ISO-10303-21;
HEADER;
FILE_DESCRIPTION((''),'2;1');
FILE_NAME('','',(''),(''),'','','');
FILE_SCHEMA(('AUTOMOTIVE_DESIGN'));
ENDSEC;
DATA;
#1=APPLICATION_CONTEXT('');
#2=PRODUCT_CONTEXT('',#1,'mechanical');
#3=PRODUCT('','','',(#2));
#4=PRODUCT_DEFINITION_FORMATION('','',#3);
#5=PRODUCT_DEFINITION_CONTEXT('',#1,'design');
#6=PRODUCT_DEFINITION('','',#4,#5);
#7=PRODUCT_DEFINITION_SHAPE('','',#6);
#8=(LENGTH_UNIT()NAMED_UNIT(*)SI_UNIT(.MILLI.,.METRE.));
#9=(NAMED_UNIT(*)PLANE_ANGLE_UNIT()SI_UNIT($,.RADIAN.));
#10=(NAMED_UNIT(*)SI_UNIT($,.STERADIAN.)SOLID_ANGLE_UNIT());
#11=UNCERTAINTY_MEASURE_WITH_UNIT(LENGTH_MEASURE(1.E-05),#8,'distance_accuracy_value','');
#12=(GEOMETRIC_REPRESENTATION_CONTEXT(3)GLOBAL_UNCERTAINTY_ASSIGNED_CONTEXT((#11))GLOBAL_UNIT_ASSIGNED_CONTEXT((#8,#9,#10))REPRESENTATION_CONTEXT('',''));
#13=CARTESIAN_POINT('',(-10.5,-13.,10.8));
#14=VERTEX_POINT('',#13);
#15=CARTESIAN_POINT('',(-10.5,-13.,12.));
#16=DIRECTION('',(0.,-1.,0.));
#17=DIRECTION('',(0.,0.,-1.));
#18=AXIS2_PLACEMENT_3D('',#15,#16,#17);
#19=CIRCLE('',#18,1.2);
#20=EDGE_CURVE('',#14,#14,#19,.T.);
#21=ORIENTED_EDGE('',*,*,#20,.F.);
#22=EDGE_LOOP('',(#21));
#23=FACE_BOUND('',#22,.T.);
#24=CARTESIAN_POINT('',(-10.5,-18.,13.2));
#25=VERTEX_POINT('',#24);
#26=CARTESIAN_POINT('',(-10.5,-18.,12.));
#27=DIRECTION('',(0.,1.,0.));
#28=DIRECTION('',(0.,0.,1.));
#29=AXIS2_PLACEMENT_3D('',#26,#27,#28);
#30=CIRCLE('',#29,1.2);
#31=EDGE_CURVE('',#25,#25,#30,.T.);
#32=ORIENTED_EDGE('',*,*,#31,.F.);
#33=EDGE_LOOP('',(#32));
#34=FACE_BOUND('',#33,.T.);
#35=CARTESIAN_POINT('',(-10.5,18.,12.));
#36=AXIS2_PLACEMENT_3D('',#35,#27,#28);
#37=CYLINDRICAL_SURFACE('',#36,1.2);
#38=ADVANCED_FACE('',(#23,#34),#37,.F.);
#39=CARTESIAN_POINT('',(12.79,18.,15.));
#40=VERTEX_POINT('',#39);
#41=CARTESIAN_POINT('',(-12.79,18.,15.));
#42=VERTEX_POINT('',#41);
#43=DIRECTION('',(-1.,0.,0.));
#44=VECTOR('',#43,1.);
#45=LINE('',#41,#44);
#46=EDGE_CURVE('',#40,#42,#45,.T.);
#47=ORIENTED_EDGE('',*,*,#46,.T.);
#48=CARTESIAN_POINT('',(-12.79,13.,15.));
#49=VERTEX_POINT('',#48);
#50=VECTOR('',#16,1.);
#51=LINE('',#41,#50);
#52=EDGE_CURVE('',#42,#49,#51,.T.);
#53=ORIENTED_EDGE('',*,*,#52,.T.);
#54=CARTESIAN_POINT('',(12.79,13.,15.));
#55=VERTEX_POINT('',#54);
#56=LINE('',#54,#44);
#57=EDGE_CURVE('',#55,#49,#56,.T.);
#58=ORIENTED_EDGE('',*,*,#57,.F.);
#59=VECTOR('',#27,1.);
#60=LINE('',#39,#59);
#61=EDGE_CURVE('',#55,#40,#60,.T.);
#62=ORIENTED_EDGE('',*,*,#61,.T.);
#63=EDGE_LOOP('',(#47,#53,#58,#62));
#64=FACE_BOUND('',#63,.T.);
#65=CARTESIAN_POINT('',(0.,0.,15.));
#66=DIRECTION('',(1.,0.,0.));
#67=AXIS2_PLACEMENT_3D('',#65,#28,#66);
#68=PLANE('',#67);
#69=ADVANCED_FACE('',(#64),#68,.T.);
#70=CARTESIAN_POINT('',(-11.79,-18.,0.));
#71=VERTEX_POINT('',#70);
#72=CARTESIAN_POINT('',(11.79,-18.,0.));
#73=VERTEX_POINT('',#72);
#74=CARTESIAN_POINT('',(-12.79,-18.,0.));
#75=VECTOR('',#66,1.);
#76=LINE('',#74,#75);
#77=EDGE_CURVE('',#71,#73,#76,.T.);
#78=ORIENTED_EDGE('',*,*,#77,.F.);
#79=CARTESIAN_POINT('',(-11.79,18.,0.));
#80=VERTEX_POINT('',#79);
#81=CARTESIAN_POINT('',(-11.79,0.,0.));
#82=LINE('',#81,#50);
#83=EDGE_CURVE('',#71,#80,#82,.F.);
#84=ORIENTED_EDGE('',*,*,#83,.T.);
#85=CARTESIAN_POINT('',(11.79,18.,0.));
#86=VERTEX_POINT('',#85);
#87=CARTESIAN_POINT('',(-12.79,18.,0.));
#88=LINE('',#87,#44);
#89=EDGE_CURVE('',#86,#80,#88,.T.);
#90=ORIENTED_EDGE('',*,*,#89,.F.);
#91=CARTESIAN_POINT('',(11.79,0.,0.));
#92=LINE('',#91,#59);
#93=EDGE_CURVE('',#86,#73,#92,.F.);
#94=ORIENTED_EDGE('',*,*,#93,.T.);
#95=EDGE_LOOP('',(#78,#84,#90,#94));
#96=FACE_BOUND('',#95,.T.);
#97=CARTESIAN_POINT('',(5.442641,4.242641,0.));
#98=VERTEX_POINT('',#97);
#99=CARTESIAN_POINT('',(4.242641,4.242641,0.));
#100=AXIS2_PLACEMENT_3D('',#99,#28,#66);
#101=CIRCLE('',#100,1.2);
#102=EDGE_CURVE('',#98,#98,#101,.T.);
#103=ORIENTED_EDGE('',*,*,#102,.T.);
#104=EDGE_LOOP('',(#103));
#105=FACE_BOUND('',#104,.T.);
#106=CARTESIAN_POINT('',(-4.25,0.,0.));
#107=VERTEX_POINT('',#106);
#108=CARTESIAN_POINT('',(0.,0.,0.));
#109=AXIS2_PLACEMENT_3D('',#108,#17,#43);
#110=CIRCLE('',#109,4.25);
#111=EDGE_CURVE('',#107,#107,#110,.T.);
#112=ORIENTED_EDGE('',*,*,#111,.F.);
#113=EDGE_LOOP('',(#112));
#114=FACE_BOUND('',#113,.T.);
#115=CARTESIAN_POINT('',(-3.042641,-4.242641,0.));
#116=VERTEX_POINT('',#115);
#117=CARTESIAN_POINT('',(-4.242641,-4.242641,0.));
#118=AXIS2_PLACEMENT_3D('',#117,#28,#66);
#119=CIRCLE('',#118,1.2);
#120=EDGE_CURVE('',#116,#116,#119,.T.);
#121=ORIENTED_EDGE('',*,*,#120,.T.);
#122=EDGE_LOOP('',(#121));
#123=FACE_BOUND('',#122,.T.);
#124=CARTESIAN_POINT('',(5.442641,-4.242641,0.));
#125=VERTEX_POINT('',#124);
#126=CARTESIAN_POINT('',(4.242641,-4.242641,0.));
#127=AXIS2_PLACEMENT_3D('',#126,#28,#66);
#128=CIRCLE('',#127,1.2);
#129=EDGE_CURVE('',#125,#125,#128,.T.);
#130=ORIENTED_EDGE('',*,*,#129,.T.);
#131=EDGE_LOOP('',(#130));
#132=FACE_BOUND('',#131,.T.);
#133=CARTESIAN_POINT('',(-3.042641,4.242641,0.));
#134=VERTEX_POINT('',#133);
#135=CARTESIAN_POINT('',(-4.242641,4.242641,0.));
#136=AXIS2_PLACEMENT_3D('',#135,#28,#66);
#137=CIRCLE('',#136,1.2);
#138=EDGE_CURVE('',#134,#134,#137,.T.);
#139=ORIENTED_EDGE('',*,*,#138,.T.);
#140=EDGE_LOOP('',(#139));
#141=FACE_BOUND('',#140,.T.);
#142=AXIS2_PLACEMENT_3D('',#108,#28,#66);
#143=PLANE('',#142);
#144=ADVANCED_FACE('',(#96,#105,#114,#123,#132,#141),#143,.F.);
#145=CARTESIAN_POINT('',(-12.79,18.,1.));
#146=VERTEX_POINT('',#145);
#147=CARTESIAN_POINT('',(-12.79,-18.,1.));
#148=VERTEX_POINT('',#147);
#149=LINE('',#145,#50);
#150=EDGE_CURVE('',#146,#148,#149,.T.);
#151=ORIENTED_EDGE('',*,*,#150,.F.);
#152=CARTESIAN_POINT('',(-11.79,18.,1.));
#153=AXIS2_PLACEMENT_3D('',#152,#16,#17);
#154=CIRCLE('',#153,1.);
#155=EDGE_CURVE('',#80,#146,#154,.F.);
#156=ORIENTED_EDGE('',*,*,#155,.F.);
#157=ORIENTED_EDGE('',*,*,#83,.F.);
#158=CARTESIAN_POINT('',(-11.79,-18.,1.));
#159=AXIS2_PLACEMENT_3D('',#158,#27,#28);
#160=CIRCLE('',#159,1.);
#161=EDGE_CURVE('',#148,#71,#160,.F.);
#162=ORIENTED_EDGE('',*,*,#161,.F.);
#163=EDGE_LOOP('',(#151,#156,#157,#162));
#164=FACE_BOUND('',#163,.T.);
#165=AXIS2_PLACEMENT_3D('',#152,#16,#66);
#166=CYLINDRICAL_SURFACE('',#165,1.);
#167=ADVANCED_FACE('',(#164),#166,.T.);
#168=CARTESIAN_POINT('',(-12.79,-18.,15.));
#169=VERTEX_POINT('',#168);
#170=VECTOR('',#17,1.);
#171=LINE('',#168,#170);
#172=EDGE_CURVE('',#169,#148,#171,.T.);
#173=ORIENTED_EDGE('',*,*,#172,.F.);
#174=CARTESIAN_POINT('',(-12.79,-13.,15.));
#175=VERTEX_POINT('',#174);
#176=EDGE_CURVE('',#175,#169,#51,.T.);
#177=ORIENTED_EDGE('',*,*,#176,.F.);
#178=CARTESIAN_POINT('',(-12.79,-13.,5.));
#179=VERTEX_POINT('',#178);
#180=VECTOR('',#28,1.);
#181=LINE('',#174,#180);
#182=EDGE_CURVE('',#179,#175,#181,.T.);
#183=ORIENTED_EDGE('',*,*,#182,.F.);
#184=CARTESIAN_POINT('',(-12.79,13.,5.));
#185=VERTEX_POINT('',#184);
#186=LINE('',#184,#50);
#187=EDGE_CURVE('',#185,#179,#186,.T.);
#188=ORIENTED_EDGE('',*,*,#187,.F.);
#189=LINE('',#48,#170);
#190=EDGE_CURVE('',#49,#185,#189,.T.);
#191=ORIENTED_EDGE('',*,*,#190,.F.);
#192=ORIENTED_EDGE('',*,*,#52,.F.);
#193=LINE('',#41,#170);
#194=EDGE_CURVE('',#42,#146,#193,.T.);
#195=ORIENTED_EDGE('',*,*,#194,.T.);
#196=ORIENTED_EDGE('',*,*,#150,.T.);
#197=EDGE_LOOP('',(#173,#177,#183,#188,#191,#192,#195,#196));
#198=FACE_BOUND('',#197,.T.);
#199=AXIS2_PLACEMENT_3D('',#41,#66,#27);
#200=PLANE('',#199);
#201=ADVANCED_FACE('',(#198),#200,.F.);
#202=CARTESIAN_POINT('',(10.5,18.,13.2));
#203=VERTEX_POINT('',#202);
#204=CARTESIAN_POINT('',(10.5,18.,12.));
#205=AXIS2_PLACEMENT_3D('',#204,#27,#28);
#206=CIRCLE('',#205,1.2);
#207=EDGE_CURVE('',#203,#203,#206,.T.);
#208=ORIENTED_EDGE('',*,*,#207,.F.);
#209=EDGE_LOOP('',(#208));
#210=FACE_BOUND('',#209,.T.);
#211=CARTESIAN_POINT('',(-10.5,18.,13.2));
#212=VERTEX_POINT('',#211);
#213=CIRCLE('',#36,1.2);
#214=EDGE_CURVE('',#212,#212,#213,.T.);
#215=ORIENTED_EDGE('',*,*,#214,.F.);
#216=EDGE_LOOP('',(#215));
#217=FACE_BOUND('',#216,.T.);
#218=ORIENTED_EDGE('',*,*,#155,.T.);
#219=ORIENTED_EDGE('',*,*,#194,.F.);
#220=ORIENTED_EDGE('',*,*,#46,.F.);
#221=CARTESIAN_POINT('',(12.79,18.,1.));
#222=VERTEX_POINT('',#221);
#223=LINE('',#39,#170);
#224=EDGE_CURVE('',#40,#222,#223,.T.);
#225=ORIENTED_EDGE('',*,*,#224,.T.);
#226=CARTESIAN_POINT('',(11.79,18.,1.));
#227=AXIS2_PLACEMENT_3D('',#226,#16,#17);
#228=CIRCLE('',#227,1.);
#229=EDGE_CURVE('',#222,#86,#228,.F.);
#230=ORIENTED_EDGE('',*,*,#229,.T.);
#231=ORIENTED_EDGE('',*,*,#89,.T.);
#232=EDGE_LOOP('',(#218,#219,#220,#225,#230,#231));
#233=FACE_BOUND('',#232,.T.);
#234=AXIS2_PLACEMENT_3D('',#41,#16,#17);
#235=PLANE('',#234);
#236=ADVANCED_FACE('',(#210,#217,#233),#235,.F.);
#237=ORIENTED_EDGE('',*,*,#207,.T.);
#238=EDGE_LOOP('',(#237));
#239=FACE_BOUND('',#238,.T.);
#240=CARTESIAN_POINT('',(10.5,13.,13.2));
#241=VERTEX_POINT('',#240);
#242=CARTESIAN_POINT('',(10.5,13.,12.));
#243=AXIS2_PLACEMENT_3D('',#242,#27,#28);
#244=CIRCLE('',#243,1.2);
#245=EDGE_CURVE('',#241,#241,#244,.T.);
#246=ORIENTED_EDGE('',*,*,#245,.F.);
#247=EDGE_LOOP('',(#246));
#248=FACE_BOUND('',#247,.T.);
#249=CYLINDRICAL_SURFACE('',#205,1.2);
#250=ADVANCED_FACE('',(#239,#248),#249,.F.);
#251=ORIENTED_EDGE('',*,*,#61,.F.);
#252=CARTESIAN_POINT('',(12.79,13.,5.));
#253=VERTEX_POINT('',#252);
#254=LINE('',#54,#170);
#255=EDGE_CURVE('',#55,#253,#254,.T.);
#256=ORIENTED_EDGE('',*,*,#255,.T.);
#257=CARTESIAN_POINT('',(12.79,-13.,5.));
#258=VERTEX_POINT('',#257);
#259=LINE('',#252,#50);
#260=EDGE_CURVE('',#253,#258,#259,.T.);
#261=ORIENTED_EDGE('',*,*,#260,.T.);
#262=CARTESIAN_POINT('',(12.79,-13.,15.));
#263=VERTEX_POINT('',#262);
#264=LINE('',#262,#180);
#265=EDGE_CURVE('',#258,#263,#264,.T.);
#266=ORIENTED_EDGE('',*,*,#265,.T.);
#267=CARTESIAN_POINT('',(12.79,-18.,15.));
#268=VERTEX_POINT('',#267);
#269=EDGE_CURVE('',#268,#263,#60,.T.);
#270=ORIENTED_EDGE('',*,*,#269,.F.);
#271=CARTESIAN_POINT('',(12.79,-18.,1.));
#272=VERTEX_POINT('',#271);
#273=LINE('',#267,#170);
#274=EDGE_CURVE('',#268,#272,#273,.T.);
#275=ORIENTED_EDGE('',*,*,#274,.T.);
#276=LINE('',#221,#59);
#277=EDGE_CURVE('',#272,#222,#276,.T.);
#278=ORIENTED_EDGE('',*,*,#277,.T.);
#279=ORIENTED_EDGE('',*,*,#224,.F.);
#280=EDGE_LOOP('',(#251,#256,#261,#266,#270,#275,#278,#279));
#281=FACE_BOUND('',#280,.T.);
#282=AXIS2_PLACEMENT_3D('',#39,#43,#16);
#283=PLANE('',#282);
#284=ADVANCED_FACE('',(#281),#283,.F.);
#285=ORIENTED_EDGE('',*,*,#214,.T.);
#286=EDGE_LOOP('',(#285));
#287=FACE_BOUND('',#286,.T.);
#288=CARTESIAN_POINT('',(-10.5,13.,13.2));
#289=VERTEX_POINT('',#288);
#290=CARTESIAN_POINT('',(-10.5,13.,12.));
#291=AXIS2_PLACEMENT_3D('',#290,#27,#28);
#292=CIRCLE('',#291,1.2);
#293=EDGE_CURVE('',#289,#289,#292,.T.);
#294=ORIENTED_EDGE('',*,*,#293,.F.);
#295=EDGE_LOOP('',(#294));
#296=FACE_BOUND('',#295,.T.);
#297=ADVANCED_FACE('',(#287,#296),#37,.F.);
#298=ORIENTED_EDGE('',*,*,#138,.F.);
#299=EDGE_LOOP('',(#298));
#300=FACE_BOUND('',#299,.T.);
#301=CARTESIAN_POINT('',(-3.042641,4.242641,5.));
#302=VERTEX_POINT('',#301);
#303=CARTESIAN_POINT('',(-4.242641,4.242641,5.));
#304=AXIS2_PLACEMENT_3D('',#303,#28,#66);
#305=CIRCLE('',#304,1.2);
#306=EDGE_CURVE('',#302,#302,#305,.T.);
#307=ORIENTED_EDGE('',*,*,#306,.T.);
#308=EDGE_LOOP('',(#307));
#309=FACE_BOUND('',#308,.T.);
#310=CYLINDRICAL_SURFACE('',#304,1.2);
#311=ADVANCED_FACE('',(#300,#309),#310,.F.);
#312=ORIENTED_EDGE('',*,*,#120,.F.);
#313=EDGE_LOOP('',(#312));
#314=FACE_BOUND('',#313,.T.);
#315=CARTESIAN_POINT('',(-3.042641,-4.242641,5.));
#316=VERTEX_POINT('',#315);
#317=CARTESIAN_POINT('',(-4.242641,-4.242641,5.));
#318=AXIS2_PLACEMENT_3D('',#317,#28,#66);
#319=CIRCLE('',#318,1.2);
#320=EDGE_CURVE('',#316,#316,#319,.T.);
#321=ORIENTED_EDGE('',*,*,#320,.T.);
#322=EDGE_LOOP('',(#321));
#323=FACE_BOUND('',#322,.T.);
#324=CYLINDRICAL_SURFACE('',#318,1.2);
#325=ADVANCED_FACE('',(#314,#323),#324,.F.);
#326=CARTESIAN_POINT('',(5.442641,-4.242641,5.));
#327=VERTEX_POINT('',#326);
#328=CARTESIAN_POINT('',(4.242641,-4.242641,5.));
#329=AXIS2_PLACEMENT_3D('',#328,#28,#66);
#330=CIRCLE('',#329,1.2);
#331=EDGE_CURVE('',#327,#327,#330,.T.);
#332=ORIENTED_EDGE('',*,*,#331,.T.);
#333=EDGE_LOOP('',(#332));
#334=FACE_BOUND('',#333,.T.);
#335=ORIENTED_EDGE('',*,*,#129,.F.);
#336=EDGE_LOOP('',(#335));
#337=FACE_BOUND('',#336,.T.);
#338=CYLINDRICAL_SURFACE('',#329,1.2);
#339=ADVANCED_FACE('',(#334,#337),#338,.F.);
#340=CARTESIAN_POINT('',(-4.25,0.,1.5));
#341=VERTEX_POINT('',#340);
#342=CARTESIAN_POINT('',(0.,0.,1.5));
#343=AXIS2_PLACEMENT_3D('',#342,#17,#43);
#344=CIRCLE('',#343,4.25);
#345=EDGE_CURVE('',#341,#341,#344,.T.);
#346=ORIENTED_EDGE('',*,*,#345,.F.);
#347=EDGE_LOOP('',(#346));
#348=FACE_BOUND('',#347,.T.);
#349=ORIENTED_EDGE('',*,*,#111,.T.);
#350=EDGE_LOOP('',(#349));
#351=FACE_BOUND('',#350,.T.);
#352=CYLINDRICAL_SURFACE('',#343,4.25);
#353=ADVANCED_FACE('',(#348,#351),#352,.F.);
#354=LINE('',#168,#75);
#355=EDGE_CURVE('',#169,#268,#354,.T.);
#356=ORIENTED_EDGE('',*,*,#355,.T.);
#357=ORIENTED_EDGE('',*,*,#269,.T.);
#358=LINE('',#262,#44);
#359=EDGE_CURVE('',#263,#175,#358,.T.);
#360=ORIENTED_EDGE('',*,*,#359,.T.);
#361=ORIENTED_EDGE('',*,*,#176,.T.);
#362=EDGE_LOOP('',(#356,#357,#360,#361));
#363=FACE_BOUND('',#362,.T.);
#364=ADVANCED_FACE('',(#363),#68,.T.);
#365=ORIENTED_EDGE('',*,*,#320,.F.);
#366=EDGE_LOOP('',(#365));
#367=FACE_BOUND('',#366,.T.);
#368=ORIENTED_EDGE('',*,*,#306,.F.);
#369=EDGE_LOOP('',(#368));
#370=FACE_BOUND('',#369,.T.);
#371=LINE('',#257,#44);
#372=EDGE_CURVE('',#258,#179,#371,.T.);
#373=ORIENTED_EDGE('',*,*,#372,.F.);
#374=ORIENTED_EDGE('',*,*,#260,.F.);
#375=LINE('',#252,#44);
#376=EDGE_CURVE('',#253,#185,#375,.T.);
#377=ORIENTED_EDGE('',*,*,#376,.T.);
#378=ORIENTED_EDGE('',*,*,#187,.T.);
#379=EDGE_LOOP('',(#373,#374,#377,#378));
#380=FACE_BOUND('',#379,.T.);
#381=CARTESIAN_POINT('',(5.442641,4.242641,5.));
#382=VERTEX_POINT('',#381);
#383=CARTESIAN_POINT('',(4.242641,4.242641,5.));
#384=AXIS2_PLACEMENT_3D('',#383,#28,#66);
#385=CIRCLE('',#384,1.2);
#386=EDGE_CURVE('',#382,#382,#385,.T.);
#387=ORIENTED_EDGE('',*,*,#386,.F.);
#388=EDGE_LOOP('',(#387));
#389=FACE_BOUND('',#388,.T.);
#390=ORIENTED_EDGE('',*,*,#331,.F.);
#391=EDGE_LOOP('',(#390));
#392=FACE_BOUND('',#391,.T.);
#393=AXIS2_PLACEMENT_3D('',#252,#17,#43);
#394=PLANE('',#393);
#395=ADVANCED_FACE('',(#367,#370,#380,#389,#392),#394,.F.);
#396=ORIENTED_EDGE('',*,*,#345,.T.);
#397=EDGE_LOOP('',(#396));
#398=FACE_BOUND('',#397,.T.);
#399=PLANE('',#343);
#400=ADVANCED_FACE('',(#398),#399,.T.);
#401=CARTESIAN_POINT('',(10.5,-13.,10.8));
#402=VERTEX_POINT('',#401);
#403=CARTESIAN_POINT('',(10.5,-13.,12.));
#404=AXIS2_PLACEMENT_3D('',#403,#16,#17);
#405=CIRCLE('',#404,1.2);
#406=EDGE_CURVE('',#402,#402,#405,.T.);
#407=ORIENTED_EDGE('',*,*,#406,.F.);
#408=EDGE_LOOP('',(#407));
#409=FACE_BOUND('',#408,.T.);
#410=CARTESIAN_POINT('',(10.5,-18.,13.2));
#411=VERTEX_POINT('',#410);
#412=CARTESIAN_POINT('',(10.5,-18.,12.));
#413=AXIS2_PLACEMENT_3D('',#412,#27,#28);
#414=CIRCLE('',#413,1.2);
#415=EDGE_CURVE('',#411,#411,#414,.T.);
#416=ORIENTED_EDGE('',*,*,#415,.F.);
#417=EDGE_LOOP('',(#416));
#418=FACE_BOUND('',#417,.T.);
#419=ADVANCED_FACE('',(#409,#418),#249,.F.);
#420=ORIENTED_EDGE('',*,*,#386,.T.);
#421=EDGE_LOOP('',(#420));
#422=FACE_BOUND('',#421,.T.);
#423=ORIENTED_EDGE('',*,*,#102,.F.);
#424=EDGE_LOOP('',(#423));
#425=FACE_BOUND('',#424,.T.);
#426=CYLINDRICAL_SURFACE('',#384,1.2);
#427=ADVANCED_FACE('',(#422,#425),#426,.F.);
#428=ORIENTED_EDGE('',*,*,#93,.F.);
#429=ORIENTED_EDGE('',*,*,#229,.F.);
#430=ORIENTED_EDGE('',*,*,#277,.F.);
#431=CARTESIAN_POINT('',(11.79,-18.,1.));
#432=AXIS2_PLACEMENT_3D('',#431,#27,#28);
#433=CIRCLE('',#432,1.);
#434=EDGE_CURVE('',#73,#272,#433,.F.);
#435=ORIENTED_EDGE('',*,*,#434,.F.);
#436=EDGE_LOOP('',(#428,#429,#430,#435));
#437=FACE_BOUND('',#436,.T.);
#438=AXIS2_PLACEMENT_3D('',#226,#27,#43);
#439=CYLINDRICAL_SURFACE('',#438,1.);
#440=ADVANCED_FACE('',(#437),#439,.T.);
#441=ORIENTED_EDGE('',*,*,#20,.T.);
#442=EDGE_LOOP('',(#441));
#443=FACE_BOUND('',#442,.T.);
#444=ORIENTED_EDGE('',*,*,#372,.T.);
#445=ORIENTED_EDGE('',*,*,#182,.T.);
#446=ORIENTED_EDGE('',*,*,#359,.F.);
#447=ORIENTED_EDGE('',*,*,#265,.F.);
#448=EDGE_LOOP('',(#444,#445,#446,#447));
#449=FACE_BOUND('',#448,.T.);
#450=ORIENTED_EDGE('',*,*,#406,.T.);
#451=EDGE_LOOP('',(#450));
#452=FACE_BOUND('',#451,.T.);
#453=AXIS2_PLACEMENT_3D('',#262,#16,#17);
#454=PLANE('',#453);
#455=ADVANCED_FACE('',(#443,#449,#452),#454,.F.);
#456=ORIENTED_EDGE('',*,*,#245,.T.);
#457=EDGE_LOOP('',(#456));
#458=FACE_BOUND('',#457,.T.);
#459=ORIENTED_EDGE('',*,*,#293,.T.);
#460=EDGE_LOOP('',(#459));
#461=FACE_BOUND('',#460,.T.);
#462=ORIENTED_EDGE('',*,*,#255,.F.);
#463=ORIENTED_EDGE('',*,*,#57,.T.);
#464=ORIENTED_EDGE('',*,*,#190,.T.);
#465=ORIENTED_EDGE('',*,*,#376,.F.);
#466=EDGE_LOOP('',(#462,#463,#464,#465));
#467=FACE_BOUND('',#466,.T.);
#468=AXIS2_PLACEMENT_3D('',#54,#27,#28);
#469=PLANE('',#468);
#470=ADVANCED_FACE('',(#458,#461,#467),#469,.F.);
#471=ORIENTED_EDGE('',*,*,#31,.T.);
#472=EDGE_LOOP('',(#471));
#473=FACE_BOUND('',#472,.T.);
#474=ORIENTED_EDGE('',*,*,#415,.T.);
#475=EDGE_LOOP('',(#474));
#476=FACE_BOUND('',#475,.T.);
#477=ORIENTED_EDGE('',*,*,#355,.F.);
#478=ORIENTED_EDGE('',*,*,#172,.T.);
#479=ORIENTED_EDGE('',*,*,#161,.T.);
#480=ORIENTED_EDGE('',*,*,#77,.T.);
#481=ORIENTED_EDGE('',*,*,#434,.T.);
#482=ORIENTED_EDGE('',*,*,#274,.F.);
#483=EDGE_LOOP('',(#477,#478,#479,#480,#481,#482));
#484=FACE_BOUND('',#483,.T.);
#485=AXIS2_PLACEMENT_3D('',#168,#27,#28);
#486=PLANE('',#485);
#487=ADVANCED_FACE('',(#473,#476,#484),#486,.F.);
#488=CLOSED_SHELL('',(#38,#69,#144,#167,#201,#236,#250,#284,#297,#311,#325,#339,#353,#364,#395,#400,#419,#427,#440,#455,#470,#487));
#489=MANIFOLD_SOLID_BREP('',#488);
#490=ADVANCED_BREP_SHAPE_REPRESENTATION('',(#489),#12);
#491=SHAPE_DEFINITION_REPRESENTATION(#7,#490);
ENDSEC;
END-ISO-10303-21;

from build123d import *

# Parameters (mm, degrees)
SKETCH_1_W          = 25.58
SKETCH_1_H          = 36
EXTRUDE_1_DEPTH     = 15
SKETCH_2_W          = 10
SKETCH_2_H          = 26
CUT_EXTRUDE_1_DEPTH = 35.689139511
HOLE_WIZARD_M2_1_D  = 2.4
FILLET_1_R          = 1
SKETCH_5_R          = 4.25
CUT_EXTRUDE_2_DEPTH = 1.5
HOLE_WIZARD_M2_2_D  = 2.4


with BuildPart() as part:
    # ｽｹｯﾁ1 → ﾎﾞｽ - 押し出し1 (new body)
    with BuildSketch(Plane.XY):
        Rectangle(SKETCH_1_W, SKETCH_1_H)
    extrude(amount=EXTRUDE_1_DEPTH)

    # ｽｹｯﾁ2 → ｶｯﾄ - 押し出し1 (cut, through all)
    with BuildSketch(Plane.ZY.offset(12.79)):
        with Locations((10, 0)):
            Rectangle(SKETCH_2_W, SKETCH_2_H)
    extrude(amount=-CUT_EXTRUDE_1_DEPTH, mode=Mode.SUBTRACT)

    # M2 すきま穴1 (through all)
    with Locations(Plane(origin=(0, 18, 0), x_dir=(1, 0, 0), z_dir=(0, 1, 0))):
        with Locations((-10.5, -12), (10.5, -12)):
            Hole(HOLE_WIZARD_M2_1_D / 2)

    # ﾌｨﾚｯﾄ1
    fillet_1_edges = [part.edges().sort_by_distance(p)[0] for p in [
        (-12.79, 0, 0),
        (12.79, 0, 0),
    ]]
    fillet(fillet_1_edges, radius=FILLET_1_R)

    # ｽｹｯﾁ5 → ｶｯﾄ - 押し出し2 (cut)
    with BuildSketch(Plane(origin=(0, 0, 0), x_dir=(-1, 0, 0), z_dir=(0, 0, -1))):
        Circle(SKETCH_5_R)
    extrude(amount=-CUT_EXTRUDE_2_DEPTH, mode=Mode.SUBTRACT)

    # M2 すきま穴2 (through all)
    with Locations(Plane.XY.offset(5)):
        with Locations((4.242640687, 4.242640687), (-4.242640687, -4.242640687), (4.242640687, -4.242640687), (-4.242640687, 4.242640687)):
            Hole(HOLE_WIZARD_M2_2_D / 2)


solid = part.part
